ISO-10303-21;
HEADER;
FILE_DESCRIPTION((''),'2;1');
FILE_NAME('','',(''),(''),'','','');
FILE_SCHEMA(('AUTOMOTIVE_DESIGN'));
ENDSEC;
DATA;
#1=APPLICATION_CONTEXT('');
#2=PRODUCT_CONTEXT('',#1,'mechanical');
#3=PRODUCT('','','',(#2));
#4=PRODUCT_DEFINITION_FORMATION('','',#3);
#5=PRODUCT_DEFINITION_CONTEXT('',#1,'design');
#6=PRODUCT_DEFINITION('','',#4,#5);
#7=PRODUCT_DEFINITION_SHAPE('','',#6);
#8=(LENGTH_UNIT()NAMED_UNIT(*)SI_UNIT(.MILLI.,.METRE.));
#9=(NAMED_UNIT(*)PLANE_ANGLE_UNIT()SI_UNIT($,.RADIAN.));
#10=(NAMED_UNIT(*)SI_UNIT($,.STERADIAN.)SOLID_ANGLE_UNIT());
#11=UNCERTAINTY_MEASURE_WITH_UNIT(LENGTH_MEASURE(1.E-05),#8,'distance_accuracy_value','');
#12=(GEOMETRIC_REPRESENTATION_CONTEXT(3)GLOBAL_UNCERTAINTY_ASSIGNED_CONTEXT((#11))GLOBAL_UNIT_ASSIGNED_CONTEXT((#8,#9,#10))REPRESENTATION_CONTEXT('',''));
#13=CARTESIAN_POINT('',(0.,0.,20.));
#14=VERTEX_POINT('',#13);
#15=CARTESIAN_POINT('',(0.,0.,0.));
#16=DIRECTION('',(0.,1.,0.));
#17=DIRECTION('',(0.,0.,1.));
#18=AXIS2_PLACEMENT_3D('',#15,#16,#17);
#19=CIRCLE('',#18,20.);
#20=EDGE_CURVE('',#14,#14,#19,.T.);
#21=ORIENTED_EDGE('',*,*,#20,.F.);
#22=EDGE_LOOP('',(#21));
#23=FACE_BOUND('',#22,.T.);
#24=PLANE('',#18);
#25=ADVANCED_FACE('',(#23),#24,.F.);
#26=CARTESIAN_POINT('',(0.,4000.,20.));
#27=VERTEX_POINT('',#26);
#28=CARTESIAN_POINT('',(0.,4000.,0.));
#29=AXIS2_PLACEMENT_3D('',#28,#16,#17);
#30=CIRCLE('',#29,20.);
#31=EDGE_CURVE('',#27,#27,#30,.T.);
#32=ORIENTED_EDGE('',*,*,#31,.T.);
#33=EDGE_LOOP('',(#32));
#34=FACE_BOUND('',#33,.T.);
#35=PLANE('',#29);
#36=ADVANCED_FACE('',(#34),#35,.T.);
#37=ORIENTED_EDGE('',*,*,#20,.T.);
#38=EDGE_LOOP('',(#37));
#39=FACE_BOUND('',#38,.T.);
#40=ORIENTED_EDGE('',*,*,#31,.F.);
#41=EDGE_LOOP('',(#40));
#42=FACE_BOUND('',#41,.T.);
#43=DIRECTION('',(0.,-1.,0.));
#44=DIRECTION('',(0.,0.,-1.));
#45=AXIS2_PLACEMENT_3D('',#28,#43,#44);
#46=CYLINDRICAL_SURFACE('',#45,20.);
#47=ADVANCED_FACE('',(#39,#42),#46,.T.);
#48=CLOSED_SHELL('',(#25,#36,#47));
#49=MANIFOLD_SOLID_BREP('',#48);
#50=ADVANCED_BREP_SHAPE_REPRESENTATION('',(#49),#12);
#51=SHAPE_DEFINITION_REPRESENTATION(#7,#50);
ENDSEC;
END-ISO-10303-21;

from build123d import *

# Parameters (mm, degrees)
SKETCH1_R           = 20
BOSS_EXTRUDE1_DEPTH = 4000


with BuildPart() as part:
    # Sketch1 → Boss-Extrude1 (new body)
    with BuildSketch(Plane(origin=(0, 0, 0), x_dir=(1, 0, 0), z_dir=(0, 1, 0))):
        Circle(SKETCH1_R)
    extrude(amount=BOSS_EXTRUDE1_DEPTH)


solid = part.part
